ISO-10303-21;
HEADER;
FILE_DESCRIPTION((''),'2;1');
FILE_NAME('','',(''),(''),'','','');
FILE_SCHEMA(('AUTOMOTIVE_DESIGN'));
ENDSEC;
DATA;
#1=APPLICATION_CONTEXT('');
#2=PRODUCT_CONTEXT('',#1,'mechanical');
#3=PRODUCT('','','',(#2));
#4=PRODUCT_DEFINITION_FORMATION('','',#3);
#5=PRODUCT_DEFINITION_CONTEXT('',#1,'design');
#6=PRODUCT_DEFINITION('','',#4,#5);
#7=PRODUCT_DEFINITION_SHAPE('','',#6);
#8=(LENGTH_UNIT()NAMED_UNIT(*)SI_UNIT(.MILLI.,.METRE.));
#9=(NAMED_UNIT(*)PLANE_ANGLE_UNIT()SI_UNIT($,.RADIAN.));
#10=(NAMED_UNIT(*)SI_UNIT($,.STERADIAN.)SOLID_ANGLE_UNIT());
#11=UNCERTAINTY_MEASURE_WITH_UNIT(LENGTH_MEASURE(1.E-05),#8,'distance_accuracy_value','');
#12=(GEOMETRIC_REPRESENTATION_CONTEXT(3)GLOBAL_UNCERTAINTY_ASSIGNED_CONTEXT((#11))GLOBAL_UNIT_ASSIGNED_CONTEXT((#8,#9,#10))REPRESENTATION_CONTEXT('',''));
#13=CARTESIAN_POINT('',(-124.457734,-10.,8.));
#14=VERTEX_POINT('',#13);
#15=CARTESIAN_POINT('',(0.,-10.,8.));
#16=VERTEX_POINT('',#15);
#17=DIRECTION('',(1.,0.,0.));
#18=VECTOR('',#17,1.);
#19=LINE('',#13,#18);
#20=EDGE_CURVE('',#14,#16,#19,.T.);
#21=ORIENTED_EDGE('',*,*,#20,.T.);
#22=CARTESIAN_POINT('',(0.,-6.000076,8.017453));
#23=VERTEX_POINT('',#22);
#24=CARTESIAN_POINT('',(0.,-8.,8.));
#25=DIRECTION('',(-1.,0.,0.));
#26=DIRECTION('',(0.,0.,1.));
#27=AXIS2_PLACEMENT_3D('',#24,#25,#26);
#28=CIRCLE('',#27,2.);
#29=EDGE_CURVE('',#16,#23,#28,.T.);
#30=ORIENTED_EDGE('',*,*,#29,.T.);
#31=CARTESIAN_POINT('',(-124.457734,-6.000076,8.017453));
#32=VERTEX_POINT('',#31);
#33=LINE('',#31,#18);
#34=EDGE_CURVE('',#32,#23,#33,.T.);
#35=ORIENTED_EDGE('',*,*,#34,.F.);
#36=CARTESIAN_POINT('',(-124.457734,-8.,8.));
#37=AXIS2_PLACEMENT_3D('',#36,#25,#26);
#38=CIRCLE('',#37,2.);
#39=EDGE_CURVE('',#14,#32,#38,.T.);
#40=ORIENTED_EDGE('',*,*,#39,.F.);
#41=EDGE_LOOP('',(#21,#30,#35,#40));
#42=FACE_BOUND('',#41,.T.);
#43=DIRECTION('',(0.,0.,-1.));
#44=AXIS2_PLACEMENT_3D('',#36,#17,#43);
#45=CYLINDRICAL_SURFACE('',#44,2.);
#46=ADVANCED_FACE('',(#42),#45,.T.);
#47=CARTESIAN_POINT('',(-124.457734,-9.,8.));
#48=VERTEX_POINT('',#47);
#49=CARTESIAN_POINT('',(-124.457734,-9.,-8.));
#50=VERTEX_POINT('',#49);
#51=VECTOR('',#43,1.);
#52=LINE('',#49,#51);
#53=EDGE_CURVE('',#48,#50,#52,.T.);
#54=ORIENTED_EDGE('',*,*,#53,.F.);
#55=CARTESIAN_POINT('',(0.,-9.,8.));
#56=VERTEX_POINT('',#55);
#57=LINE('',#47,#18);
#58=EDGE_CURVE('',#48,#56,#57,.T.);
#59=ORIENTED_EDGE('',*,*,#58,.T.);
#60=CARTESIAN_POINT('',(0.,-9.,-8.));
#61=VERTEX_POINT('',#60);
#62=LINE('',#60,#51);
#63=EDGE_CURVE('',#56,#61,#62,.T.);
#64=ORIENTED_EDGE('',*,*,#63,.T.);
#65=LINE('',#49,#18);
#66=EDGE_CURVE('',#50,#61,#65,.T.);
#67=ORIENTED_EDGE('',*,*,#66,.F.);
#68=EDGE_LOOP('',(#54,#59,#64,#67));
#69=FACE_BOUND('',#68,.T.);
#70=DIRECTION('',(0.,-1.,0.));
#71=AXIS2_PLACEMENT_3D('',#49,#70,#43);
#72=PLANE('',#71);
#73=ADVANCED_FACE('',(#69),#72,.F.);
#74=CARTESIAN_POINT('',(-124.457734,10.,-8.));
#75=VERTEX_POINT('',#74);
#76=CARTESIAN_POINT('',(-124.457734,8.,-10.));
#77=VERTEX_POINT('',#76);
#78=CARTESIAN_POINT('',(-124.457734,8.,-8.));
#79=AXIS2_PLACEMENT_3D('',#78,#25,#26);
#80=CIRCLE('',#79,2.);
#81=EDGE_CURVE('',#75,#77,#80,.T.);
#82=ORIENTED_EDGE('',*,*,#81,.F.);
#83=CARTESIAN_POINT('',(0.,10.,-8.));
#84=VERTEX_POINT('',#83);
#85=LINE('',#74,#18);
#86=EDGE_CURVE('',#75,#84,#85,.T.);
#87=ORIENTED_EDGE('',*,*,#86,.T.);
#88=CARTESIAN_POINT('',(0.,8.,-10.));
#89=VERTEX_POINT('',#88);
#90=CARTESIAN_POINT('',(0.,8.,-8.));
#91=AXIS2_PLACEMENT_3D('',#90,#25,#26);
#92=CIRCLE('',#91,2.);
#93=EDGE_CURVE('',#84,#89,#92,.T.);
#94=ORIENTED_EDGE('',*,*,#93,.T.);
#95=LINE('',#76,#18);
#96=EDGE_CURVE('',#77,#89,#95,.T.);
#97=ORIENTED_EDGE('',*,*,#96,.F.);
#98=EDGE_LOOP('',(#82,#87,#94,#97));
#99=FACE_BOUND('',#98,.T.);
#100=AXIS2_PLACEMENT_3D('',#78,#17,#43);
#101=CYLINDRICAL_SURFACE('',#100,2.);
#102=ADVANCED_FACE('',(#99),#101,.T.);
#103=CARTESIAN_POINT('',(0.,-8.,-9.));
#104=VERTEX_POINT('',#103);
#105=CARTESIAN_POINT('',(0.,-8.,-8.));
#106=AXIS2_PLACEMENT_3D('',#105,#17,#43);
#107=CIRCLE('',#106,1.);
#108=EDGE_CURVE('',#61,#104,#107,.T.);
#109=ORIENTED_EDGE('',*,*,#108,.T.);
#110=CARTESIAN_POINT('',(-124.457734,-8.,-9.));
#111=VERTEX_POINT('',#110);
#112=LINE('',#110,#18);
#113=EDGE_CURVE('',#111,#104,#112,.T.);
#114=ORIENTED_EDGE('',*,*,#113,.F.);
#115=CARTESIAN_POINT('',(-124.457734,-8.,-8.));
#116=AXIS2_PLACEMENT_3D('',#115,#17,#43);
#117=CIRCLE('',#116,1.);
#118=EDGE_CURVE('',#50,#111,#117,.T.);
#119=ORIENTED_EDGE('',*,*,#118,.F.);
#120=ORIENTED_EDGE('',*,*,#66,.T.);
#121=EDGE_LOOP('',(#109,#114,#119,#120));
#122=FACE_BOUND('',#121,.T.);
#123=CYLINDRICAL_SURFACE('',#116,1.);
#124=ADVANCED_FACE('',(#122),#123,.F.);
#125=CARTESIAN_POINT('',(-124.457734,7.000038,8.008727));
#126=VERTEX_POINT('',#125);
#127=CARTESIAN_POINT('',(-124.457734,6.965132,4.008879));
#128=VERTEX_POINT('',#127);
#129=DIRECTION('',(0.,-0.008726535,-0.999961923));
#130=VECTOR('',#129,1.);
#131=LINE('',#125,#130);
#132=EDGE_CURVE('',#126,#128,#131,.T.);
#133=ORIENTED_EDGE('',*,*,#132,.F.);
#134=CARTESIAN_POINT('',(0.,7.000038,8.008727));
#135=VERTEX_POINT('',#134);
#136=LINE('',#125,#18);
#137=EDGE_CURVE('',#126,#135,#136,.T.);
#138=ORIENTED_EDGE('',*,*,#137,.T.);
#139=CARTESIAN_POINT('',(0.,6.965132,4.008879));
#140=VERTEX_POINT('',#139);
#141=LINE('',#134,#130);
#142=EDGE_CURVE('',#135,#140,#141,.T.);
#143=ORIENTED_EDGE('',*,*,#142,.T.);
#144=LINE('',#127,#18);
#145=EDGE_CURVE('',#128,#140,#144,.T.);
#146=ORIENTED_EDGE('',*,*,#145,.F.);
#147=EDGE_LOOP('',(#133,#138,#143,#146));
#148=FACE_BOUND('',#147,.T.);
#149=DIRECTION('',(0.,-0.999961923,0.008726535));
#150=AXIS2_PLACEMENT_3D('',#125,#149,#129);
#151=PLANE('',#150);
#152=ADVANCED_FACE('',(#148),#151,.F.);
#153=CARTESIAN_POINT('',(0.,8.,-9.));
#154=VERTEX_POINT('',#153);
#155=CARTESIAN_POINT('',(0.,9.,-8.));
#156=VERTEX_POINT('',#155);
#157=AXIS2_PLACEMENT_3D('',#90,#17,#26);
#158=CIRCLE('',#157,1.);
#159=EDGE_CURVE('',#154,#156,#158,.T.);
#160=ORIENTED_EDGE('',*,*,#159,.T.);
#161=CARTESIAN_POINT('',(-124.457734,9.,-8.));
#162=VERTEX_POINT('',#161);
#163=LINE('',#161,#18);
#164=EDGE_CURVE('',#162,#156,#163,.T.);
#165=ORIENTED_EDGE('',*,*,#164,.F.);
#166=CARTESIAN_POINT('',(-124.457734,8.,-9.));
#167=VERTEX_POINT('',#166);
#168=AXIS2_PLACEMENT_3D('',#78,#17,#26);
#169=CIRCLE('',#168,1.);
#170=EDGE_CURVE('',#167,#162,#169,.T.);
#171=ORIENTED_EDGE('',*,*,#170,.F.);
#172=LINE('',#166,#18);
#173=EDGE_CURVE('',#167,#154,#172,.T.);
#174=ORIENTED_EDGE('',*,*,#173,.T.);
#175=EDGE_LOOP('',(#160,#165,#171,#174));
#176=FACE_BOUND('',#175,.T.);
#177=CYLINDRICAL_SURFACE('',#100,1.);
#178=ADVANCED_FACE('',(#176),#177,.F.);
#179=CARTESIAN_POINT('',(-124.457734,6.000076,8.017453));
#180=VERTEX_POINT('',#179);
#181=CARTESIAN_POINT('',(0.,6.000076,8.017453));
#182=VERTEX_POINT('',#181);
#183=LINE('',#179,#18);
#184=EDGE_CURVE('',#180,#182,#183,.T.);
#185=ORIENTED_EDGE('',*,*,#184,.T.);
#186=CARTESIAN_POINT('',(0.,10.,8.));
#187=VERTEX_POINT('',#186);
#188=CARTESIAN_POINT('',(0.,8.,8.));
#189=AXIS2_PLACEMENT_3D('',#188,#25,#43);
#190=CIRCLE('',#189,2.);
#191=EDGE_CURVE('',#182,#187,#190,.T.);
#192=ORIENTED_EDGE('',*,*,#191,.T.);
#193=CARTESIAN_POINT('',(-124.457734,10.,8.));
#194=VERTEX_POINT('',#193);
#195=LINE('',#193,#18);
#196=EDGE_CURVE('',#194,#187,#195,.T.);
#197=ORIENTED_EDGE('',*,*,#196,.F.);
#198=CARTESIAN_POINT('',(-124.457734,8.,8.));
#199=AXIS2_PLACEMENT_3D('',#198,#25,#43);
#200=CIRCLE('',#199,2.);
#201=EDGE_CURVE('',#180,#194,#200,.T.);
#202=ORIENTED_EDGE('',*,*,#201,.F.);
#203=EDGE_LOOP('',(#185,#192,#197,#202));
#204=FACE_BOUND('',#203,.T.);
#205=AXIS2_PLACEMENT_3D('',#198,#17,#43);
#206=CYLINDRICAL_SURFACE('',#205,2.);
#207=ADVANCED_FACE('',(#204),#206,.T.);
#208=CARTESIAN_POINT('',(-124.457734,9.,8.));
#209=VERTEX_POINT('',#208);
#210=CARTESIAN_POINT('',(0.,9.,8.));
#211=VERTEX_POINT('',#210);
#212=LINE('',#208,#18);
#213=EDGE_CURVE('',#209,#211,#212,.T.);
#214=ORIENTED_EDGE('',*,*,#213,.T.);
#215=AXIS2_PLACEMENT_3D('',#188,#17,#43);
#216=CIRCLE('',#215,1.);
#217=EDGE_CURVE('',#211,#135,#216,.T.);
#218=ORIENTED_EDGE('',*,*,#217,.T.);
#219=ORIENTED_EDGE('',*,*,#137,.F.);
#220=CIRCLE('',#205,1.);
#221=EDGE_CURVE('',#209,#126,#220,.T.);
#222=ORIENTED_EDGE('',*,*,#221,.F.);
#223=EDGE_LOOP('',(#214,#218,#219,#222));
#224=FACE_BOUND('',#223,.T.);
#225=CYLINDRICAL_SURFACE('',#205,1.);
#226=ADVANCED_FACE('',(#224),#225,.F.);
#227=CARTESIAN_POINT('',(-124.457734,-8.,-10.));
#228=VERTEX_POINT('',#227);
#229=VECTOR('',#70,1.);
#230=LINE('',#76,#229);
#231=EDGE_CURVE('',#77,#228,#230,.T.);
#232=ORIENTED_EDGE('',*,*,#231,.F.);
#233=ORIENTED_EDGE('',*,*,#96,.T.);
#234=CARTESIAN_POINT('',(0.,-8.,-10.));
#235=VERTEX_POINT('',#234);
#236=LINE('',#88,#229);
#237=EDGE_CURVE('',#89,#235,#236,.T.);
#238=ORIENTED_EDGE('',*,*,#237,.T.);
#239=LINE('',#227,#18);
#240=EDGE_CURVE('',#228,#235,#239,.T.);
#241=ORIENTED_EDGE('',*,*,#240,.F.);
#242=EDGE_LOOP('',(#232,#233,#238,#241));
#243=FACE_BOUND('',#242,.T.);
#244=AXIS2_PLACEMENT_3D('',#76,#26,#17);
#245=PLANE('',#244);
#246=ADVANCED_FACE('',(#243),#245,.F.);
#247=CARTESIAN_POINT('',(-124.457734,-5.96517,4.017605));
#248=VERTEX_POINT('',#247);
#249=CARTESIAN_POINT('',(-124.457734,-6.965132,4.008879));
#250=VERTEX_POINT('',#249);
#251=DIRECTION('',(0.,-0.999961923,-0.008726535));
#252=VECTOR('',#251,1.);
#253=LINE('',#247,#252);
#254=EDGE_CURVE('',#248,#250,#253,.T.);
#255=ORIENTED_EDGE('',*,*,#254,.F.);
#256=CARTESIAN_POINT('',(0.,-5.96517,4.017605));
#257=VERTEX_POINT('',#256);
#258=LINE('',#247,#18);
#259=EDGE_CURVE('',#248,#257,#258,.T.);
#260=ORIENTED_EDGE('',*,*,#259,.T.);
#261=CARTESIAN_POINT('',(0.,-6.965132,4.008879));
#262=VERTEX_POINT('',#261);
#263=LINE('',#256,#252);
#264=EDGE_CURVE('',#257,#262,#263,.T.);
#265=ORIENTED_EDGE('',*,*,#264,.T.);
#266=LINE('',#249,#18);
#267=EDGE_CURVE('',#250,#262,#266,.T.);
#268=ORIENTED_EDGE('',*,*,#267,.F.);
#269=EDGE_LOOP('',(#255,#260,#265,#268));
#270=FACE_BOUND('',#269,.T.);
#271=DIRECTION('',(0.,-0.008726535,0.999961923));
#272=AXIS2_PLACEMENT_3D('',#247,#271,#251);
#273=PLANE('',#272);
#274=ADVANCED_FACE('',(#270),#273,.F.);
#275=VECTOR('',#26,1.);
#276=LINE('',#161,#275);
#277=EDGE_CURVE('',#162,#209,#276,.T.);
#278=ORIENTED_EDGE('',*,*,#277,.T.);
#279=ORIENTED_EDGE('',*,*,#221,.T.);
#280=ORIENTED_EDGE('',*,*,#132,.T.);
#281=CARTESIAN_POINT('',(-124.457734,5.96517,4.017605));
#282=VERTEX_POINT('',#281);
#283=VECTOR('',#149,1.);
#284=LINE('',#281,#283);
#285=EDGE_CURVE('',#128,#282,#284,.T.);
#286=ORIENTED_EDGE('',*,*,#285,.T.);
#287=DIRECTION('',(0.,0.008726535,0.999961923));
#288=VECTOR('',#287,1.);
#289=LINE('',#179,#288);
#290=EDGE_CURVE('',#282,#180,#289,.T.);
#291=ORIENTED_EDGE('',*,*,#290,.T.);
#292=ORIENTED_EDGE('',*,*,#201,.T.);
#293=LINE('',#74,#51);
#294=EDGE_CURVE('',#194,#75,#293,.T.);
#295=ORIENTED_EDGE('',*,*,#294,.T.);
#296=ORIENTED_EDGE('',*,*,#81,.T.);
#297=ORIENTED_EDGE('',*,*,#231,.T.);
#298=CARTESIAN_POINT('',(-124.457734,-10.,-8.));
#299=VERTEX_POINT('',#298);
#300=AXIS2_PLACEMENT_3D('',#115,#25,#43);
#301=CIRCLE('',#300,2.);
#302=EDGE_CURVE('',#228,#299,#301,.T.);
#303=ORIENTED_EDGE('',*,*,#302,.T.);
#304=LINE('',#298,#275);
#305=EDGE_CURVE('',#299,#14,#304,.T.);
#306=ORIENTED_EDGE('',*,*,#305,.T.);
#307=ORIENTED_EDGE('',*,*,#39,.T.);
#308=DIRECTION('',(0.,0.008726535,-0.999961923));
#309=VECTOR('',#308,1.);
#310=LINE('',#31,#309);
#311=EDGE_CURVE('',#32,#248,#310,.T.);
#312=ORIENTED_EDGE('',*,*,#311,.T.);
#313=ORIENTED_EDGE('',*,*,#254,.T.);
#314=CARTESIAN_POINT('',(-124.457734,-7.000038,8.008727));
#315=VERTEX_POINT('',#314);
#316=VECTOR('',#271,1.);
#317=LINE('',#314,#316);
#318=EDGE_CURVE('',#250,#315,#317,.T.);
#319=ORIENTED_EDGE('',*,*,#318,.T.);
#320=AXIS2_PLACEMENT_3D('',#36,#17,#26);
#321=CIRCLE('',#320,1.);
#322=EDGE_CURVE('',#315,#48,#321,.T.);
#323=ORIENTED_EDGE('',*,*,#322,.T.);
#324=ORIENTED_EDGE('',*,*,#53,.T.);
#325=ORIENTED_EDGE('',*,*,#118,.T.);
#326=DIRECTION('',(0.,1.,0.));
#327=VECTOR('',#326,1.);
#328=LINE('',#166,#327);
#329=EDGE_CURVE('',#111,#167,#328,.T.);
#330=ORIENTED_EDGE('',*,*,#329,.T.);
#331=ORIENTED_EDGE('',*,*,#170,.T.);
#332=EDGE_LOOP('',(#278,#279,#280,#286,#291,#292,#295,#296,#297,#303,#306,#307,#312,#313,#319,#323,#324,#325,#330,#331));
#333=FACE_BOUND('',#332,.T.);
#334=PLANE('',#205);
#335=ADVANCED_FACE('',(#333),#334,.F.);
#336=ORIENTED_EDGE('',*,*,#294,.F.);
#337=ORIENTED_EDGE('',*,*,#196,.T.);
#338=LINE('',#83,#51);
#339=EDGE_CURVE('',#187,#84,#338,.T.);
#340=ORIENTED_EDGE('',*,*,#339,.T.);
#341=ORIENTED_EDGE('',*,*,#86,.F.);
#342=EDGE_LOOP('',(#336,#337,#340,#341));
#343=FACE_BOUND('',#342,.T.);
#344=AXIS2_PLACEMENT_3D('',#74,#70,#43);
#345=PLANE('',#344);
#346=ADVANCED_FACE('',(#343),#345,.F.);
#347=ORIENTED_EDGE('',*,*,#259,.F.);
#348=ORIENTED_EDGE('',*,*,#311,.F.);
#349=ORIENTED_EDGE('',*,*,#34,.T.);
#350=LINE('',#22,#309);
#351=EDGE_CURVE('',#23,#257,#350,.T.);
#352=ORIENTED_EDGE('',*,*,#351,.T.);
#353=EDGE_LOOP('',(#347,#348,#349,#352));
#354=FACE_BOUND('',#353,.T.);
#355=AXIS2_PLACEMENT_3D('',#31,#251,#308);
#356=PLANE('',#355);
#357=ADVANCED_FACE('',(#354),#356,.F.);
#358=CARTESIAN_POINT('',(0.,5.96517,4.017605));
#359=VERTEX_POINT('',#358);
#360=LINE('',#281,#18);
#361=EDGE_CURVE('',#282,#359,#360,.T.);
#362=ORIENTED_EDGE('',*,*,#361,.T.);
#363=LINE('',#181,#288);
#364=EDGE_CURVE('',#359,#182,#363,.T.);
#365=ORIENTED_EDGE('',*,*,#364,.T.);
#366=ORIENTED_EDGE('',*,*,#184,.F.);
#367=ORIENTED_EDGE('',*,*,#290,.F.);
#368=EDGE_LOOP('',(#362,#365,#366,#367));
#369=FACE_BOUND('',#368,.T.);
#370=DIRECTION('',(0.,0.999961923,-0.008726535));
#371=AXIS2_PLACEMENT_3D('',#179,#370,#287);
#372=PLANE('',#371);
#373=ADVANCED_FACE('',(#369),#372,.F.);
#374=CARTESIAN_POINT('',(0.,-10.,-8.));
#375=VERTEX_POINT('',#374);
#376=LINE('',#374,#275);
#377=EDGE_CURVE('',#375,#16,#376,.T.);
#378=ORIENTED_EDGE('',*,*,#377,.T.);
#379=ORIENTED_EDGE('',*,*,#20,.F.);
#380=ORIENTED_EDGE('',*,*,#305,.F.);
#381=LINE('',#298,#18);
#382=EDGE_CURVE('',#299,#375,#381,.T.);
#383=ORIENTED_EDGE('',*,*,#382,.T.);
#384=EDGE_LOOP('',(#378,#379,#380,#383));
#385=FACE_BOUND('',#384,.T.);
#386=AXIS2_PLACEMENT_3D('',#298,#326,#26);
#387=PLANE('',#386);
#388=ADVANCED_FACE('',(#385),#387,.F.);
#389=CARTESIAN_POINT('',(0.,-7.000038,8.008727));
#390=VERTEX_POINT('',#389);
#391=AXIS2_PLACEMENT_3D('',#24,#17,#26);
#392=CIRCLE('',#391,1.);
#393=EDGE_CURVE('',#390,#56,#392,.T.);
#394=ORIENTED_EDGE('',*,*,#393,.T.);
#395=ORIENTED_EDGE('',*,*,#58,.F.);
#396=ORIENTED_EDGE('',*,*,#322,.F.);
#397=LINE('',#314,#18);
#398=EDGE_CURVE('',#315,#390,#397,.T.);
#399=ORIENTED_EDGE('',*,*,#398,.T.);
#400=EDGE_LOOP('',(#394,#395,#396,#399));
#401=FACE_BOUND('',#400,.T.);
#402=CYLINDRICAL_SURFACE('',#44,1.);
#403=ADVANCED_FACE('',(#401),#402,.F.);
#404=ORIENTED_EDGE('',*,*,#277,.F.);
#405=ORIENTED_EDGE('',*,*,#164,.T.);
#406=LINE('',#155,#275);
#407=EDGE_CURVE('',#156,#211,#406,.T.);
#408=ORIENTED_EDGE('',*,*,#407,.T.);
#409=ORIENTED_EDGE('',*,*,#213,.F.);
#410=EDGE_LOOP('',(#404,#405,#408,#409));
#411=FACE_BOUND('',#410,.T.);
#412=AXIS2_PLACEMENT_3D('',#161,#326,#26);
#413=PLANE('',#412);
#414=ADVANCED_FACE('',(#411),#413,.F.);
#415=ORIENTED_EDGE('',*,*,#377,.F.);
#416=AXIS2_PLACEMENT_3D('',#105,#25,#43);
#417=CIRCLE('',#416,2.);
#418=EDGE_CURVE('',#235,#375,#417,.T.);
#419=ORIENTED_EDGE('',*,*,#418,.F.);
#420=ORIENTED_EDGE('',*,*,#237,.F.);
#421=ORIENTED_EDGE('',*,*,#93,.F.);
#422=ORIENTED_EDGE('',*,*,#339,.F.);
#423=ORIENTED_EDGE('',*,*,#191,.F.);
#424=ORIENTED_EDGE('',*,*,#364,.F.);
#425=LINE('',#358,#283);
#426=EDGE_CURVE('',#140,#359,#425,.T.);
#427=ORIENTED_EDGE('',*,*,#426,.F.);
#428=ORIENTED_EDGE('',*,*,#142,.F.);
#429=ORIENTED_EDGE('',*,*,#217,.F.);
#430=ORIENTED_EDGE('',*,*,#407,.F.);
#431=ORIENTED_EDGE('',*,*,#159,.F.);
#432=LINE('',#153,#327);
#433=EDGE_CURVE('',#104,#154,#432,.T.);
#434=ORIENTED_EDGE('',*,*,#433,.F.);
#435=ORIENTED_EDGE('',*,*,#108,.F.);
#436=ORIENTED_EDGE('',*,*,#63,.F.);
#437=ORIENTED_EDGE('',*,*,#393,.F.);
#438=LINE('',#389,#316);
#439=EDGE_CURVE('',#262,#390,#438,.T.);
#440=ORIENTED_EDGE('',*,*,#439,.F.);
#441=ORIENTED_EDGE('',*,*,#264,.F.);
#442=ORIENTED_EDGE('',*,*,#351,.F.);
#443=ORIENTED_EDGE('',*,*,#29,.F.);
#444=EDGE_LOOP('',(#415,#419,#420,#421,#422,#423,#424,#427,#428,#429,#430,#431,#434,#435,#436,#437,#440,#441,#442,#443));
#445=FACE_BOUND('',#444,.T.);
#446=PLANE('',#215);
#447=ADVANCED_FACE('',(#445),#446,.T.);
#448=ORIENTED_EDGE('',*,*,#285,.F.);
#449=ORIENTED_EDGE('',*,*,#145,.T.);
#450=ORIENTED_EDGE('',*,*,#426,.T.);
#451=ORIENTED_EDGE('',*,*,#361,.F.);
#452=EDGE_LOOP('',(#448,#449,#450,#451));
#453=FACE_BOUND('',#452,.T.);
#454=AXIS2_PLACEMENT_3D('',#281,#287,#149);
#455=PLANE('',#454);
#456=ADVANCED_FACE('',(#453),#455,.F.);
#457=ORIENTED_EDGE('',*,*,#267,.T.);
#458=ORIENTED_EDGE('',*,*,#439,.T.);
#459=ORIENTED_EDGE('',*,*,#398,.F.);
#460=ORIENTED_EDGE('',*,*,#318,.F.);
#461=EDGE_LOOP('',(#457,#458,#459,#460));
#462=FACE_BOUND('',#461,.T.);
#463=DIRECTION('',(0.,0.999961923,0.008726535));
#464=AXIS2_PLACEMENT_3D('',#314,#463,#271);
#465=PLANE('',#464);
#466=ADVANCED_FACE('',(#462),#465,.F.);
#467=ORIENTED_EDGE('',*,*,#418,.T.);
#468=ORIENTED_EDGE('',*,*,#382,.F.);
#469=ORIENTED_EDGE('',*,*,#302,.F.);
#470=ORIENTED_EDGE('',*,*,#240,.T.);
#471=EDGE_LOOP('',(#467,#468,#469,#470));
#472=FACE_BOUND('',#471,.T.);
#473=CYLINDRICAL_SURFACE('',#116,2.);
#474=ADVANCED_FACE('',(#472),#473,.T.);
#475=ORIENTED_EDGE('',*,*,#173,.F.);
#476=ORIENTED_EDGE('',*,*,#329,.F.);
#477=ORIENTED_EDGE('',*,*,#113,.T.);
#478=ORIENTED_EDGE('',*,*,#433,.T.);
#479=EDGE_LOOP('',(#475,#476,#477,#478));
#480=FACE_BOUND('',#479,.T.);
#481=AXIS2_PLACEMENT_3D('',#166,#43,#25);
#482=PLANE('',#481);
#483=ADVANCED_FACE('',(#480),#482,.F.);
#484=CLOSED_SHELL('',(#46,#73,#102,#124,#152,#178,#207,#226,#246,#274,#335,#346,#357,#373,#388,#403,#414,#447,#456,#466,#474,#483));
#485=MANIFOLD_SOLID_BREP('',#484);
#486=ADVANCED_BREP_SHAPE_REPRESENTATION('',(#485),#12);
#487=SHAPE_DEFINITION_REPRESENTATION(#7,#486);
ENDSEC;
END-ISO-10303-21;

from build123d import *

# Parameters (mm, degrees)
ABC_DEPTH = 124.457734282


with BuildPart() as part:
    # Sketch15 → ABC (new body)
    with BuildSketch(Plane(origin=(0, 0, 0), x_dir=(0, -1, 0), z_dir=(-1, 0, 0))):
        with BuildLine():
            Line((-8, -9), (8, -9))
            ThreePointArc((8, -9), (8.707106781, -8.707106781), (9, -8))
            Line((9, -8), (9, 8))
            ThreePointArc((9, 8), (8.004363309, 8.999990481), (7.000038077, 8.008726535))
            Line((7.000038077, 8.008726535), (6.965131935, 4.008878843))
            Line((6.965131935, 4.008878843), (5.965170012, 4.017605379))
            Line((5.965170012, 4.017605379), (6.000076154, 8.017453071))
            ThreePointArc((6.000076154, 8.017453071), (8.008726619, 9.999980961), (10, 8))
            Line((10, 8), (10, -8))
            ThreePointArc((10, -8), (9.414213562, -9.414213562), (8, -10))
            Line((8, -10), (-8, -10))
            ThreePointArc((-8, -10), (-9.414213562, -9.414213562), (-10, -8))
            Line((-10, -8), (-10, 8))
            ThreePointArc((-10, 8), (-8.008726619, 9.999980961), (-6.000076154, 8.017453071))
            Line((-6.000076154, 8.017453071), (-5.965170012, 4.017605379))
            Line((-5.965170012, 4.017605379), (-6.965131935, 4.008878843))
            Line((-6.965131935, 4.008878843), (-7.000038077, 8.008726535))
            ThreePointArc((-7.000038077, 8.008726535), (-8.004363309, 8.999990481), (-9, 8))
            Line((-9, 8), (-9, -8))
            ThreePointArc((-9, -8), (-8.707106781, -8.707106781), (-8, -9))
        make_face()
    extrude(amount=ABC_DEPTH)


solid = part.part
